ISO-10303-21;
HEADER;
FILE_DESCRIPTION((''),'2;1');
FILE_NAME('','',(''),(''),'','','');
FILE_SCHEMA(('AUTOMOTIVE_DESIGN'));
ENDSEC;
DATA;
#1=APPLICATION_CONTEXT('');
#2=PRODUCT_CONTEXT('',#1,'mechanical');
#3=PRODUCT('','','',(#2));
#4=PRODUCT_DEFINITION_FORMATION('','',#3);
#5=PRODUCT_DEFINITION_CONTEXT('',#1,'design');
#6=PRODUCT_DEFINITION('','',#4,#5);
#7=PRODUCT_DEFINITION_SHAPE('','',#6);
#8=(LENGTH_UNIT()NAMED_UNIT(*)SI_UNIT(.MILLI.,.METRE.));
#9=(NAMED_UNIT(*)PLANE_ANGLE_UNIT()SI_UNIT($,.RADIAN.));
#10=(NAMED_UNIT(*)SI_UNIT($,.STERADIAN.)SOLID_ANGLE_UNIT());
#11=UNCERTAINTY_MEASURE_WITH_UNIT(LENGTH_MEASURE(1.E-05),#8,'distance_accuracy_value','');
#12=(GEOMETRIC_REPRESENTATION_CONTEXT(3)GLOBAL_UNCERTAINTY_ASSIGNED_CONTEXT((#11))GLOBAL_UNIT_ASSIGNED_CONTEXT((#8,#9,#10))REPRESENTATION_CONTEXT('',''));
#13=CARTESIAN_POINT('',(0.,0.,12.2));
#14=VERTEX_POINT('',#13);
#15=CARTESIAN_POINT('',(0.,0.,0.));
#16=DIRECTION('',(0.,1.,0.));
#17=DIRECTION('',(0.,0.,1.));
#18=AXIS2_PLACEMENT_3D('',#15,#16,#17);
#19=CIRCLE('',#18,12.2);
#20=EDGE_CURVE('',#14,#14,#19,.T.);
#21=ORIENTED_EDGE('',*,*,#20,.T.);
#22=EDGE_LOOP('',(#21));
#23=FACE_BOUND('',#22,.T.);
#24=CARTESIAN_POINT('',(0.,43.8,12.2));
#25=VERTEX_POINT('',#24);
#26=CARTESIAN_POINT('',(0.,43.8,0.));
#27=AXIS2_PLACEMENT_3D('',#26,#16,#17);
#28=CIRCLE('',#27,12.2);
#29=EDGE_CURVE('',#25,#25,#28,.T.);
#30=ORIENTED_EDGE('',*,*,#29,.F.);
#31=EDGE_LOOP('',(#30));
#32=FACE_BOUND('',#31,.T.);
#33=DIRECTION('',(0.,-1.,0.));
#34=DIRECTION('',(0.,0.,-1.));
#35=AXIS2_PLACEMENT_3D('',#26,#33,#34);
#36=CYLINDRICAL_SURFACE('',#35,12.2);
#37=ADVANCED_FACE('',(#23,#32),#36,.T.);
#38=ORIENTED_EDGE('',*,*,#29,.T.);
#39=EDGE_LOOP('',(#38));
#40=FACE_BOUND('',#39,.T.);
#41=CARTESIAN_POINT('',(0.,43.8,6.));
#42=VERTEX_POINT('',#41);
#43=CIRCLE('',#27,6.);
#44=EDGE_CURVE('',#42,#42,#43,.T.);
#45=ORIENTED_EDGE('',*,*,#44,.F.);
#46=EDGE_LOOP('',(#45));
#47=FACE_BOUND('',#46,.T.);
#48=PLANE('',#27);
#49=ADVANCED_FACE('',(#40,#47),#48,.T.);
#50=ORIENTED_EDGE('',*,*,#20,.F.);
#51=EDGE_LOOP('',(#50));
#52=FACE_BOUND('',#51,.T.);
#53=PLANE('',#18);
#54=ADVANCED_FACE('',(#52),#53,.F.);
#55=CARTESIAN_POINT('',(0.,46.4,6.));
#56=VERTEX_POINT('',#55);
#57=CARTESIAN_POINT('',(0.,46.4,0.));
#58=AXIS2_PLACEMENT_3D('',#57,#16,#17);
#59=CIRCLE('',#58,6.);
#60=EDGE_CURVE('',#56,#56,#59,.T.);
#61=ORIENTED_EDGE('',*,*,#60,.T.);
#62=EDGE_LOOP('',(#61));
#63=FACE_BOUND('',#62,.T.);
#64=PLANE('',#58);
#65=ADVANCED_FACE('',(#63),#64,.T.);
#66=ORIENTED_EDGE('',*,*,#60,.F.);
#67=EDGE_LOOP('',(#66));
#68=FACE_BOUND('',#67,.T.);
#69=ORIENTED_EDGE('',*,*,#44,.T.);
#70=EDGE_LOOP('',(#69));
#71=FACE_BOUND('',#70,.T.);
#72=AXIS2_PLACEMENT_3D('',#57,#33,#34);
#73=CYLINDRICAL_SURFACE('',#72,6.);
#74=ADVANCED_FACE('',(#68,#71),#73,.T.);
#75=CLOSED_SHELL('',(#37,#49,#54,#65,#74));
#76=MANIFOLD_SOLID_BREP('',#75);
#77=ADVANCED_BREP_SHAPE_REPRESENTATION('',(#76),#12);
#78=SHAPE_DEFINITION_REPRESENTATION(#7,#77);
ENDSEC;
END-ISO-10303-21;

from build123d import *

# Parameters (mm, degrees)
SKETCH_1_R      = 12.2
EXTRUDE_1_DEPTH = 43.8
SKETCH_2_R      = 6
EXTRUDE_2_DEPTH = 2.6


with BuildPart() as part:
    # 草图1 → 凸台-拉伸1 (new body)
    with BuildSketch(Plane(origin=(0, 0, 0), x_dir=(1, 0, 0), z_dir=(0, 1, 0))):
        with Locations(Location((0, 0, 0), (0, 0, 270))):
            Circle(SKETCH_1_R)
    extrude(amount=EXTRUDE_1_DEPTH)

    # 草图2 → 凸台-拉伸2 (add)
    with BuildSketch(Plane(origin=(0, 43.8, 0), x_dir=(1, 0, 0), z_dir=(0, 1, 0))):
        with Locations(Location((0, 0, 0), (0, 0, 270))):
            Circle(SKETCH_2_R)
    extrude(amount=EXTRUDE_2_DEPTH)


solid = part.part
